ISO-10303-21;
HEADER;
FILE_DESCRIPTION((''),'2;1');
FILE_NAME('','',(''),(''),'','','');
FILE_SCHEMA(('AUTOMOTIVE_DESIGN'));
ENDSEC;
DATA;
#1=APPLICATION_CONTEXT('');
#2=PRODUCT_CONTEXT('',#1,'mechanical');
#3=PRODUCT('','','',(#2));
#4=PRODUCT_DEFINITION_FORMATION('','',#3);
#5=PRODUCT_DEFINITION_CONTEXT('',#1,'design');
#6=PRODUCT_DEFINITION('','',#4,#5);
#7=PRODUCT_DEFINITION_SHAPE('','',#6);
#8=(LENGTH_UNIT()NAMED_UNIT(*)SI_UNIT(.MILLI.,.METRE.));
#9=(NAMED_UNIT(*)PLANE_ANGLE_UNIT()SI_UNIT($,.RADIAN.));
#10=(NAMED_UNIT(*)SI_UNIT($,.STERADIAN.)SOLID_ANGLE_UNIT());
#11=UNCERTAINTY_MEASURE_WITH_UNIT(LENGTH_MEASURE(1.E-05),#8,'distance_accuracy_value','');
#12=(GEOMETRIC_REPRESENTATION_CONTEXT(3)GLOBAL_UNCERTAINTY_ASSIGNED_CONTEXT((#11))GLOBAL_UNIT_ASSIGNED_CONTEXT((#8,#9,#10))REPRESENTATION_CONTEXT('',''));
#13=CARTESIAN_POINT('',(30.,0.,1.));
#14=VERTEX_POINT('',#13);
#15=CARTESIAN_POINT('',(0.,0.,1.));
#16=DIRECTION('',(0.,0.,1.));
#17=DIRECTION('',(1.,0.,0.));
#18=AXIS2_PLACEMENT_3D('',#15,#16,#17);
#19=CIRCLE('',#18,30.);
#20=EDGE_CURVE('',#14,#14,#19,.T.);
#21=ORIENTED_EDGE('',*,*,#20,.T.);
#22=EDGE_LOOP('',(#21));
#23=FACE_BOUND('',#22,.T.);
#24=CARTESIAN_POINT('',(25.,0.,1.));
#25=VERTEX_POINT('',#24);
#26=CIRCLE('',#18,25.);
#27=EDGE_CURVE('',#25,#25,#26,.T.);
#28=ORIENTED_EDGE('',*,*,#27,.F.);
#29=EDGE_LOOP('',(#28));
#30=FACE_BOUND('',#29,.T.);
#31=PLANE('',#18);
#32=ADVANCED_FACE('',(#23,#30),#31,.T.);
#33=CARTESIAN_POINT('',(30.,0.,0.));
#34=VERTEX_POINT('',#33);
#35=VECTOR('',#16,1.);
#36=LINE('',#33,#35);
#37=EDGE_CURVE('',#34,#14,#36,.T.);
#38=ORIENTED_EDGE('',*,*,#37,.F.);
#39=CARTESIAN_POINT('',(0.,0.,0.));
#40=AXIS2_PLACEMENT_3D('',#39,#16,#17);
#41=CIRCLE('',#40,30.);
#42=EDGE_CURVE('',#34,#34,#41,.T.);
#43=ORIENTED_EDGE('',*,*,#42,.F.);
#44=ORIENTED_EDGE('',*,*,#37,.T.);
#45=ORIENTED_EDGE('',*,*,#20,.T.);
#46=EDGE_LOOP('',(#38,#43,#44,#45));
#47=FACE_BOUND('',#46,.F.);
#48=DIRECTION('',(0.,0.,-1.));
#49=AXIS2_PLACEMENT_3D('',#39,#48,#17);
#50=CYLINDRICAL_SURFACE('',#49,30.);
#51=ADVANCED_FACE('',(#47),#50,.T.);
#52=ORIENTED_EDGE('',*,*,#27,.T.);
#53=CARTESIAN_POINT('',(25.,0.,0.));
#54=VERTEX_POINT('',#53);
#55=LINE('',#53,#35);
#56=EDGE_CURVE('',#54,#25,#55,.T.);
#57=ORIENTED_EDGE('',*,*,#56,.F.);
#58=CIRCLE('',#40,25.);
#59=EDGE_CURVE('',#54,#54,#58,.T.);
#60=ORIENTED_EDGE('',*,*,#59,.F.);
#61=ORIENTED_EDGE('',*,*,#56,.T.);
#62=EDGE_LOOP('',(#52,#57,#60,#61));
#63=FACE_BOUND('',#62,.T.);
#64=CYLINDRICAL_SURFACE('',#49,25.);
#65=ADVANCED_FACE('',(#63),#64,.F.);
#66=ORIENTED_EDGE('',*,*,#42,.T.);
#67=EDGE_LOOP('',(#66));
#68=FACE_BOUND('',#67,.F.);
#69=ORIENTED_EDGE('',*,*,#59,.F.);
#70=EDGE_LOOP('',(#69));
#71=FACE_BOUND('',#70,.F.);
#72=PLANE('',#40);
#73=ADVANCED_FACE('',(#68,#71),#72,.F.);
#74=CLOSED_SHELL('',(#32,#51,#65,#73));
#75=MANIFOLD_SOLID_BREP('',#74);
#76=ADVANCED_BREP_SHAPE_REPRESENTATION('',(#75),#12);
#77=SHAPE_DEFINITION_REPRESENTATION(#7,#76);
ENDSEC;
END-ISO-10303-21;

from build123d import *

# Parameters (mm, degrees)
SKETCH_R   = 30
SKETCH_R_2 = 25
PAD_DEPTH  = 1


with BuildPart() as part:
    # Sketch → Pad (new body)
    with BuildSketch(Plane.XY):
        Circle(SKETCH_R)
        Circle(SKETCH_R_2, mode=Mode.SUBTRACT)
    extrude(amount=PAD_DEPTH)


solid = part.part
